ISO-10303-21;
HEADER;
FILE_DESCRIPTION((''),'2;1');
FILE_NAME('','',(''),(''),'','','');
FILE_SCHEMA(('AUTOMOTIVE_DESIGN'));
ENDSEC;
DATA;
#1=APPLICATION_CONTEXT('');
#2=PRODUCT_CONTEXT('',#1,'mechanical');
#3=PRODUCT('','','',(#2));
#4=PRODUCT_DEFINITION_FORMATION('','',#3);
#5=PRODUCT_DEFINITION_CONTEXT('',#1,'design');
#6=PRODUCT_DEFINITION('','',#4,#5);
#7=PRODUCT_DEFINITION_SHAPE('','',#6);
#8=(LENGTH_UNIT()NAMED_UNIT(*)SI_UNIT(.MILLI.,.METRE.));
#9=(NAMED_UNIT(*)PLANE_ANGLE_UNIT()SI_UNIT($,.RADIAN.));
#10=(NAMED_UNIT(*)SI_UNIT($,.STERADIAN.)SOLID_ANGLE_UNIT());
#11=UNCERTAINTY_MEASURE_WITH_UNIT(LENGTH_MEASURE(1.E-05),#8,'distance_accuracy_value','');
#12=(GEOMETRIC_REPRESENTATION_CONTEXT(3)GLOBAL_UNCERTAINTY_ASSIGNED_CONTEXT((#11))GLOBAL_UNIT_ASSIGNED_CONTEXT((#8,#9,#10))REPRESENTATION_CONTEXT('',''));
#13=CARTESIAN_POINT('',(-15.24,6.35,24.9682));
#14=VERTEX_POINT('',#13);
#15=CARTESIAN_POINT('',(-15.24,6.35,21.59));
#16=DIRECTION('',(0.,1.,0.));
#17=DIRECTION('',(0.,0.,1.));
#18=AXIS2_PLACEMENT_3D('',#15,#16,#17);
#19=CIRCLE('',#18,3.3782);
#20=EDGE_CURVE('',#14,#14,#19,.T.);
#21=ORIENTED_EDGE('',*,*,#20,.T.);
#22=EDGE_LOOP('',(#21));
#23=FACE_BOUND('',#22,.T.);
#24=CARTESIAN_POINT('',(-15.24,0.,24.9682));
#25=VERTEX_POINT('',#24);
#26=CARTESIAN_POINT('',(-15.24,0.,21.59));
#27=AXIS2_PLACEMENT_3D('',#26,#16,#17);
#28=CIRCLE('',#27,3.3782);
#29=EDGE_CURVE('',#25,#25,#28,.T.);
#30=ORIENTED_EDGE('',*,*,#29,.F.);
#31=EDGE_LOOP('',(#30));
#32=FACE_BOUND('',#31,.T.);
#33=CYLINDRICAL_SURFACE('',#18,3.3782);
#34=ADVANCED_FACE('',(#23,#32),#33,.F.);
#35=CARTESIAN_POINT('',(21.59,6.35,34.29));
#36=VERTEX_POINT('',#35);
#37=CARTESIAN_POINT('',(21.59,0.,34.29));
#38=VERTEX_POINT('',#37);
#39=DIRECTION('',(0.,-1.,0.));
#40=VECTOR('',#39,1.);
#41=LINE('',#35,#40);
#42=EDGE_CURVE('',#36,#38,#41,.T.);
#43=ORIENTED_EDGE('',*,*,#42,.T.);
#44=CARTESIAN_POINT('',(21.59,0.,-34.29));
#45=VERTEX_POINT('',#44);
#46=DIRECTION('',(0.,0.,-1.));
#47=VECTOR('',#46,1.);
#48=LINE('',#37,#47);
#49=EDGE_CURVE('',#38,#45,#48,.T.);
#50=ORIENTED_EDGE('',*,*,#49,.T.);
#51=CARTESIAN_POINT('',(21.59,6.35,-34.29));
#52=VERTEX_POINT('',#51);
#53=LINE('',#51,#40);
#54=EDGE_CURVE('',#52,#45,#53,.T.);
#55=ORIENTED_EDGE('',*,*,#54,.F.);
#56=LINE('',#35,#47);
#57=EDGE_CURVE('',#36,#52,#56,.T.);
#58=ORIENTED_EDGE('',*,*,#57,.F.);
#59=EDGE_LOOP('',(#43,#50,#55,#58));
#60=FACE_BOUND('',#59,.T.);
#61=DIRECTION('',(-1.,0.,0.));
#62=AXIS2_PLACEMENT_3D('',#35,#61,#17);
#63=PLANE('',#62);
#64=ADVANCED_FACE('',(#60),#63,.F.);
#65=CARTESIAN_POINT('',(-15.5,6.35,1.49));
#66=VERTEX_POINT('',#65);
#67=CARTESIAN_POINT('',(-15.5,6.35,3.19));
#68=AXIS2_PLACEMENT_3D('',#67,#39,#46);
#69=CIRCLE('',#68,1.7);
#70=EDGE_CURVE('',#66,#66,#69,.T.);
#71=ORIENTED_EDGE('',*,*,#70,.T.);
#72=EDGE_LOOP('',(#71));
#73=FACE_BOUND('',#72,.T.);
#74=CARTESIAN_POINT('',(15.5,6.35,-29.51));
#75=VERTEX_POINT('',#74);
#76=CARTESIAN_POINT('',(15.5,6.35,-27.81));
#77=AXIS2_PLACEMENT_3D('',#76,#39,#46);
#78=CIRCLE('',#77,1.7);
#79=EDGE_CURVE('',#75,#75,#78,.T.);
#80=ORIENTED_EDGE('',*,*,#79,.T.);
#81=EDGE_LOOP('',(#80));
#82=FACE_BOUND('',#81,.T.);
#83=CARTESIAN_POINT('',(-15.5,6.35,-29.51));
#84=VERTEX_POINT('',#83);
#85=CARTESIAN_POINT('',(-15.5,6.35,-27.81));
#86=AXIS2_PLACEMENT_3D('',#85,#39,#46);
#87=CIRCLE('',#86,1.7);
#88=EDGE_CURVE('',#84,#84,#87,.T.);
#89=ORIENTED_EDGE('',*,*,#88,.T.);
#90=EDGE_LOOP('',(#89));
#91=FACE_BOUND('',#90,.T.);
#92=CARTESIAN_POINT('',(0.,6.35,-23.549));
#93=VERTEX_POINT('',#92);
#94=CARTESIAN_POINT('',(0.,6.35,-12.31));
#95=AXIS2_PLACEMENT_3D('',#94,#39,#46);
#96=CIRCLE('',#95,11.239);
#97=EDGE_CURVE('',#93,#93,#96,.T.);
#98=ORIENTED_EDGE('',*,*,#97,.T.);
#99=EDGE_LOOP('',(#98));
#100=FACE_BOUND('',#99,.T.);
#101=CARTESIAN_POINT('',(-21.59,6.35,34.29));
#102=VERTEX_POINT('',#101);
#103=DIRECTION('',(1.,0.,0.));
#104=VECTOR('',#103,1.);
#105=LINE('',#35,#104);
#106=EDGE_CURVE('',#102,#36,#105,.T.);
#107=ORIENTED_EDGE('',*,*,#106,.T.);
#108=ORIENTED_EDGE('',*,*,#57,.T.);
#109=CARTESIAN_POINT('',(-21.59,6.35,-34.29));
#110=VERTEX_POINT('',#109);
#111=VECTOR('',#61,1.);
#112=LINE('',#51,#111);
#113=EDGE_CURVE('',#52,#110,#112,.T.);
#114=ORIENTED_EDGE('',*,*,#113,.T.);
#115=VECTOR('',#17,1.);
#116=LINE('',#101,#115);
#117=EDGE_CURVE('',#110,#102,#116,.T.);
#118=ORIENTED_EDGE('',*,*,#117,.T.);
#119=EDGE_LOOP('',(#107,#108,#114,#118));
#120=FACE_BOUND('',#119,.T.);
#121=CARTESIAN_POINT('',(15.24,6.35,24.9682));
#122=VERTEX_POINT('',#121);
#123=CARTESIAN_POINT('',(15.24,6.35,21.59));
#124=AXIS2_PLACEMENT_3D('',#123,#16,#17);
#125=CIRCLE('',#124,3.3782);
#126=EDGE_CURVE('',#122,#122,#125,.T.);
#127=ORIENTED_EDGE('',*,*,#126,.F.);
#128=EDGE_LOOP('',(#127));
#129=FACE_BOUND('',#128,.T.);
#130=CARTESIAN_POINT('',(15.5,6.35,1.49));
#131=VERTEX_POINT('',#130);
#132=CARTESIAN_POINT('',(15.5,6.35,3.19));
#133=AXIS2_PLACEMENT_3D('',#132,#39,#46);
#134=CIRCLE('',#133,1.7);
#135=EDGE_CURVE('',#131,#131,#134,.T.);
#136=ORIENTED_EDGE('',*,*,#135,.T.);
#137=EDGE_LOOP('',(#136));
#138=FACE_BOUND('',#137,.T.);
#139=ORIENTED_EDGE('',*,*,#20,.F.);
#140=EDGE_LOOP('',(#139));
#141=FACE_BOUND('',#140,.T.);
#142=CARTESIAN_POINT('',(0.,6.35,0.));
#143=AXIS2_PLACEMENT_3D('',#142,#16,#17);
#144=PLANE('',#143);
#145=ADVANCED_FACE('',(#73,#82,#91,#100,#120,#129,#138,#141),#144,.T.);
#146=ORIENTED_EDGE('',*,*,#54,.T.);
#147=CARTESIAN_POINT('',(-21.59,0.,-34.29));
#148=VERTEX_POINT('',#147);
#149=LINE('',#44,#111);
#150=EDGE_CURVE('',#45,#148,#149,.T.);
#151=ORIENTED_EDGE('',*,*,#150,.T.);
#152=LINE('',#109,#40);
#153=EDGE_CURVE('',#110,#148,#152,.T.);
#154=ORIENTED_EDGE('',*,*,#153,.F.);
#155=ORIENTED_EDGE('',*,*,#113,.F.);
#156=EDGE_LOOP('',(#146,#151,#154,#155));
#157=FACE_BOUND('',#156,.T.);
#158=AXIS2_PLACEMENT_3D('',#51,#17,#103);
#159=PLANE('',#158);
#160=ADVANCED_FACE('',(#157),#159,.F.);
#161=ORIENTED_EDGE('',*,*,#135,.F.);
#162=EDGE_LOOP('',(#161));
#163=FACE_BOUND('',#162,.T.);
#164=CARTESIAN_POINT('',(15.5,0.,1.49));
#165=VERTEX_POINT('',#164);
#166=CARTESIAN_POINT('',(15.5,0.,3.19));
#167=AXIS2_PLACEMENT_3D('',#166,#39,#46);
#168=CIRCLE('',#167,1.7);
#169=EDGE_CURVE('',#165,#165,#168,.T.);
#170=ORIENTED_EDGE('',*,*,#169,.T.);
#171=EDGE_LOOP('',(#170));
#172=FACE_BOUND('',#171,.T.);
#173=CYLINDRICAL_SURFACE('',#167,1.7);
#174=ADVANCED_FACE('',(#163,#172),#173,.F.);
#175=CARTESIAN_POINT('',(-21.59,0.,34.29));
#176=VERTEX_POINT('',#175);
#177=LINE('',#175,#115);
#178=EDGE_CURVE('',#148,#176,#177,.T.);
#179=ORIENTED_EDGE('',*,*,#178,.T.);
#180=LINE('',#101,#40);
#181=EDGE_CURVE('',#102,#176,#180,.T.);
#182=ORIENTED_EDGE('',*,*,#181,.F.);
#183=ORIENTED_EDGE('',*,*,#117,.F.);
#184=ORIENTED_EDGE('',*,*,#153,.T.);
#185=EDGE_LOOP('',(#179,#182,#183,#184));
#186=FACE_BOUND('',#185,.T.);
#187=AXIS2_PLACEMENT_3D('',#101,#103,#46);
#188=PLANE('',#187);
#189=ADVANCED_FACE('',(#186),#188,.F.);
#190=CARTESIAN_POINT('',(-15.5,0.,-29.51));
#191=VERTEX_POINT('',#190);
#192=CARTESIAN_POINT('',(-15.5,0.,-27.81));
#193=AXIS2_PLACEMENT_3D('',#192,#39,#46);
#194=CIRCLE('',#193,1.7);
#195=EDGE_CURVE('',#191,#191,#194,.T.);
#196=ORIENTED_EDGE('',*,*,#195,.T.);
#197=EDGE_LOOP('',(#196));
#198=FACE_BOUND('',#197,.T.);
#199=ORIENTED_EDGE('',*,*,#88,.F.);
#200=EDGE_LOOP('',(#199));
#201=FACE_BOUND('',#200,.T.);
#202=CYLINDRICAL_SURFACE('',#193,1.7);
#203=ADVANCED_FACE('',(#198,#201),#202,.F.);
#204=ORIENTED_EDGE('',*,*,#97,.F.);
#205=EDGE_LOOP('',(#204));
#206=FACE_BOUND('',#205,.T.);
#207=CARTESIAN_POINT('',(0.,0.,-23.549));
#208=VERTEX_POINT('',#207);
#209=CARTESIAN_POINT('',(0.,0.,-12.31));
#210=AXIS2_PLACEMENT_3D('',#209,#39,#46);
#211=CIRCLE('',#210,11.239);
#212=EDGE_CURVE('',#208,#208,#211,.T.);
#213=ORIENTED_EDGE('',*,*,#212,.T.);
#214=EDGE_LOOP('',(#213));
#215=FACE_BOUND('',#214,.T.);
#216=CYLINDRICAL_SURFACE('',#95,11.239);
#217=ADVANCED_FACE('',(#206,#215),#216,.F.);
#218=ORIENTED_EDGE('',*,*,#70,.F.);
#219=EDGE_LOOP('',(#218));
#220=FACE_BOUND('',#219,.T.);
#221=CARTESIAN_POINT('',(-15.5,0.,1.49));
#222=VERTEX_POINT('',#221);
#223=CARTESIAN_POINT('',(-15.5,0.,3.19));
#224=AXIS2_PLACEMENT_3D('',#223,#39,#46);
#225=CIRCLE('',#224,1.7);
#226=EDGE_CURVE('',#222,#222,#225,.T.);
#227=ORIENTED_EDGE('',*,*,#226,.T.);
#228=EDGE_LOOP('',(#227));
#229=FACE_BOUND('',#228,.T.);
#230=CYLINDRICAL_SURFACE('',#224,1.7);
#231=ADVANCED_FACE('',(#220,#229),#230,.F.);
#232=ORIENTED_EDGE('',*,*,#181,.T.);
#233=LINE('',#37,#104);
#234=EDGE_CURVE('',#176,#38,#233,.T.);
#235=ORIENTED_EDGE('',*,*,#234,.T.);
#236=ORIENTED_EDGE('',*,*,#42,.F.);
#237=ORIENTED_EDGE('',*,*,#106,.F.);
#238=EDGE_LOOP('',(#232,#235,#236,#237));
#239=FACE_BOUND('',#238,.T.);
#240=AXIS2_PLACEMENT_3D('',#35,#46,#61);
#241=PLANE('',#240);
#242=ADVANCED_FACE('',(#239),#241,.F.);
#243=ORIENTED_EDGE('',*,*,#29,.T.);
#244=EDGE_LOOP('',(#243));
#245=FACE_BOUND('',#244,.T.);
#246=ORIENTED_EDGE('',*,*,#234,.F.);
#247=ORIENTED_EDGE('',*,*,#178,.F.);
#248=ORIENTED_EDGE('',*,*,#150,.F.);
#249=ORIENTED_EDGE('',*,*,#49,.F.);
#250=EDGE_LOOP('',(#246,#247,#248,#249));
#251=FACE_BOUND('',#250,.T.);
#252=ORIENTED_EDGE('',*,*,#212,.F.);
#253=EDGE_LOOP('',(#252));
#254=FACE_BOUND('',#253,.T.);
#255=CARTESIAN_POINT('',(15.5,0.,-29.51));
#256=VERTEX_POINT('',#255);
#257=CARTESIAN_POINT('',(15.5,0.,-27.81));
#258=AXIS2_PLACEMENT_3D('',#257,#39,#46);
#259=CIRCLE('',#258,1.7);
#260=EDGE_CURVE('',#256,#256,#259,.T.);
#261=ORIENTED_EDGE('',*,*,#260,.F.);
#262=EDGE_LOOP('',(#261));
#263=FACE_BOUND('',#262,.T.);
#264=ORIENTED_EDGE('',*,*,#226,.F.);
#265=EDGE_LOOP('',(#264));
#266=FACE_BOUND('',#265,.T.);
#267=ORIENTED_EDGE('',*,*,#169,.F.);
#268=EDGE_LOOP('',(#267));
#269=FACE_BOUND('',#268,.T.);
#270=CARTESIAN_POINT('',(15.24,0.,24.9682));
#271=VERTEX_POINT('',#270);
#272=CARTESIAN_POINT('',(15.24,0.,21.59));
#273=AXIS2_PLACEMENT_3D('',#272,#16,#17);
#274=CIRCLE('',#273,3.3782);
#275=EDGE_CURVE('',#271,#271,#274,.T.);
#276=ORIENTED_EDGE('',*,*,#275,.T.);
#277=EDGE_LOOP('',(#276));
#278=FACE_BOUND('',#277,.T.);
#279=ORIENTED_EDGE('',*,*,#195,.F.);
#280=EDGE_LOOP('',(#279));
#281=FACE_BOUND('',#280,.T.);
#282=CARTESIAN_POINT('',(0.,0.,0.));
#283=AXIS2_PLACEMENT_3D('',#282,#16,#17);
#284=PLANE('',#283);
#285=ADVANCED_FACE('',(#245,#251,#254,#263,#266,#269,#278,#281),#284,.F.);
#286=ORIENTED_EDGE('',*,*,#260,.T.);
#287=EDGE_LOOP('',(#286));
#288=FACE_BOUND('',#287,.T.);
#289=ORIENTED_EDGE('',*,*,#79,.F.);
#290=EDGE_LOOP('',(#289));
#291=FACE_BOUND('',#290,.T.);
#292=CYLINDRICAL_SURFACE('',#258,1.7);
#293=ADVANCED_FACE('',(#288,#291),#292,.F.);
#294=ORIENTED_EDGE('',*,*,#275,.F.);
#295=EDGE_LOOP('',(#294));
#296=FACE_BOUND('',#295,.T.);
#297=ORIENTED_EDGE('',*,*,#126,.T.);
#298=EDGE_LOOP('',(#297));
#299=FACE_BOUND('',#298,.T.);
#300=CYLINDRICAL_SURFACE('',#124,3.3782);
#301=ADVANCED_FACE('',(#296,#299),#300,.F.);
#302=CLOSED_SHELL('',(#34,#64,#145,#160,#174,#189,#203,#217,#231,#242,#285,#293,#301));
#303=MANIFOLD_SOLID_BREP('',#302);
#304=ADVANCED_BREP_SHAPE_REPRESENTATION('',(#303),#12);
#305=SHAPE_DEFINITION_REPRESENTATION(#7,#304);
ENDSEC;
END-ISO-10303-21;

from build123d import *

# Parameters (mm, degrees)
SKETCH1_W               = 43.18
SKETCH1_H               = 68.58
BOSS_EXTRUDE1_DEPTH     = 6.35
F_1_4_CLEARANCE_HOLE1_D = 6.7564
SKETCH7_R               = 11.239
CUT_EXTRUDE1_DEPTH      = 7.35
M3_CLEARANCE_HOLE1_D    = 3.4


with BuildPart() as part:
    # Sketch1 → Boss-Extrude1 (new body)
    with BuildSketch(Plane(origin=(0, 0, 0), x_dir=(1, 0, 0), z_dir=(0, 1, 0))):
        Rectangle(SKETCH1_W, SKETCH1_H)
    extrude(amount=BOSS_EXTRUDE1_DEPTH)

    # 1/4 Clearance Hole1 (through all)
    with Locations(Plane(origin=(0, 6.35, 0), x_dir=(1, 0, 0), z_dir=(0, 1, 0))):
        with Locations((15.24, -21.59), (-15.24, -21.59)):
            Hole(F_1_4_CLEARANCE_HOLE1_D / 2)

    # Sketch7 → Cut-Extrude1 (cut, through all)
    with BuildSketch(Plane.XZ):
        with Locations((0, -12.31)):
            Circle(SKETCH7_R)
    extrude(amount=-CUT_EXTRUDE1_DEPTH, mode=Mode.SUBTRACT)

    # M3 Clearance Hole1 (through all)
    with Locations(Plane(origin=(0, 0, 0), x_dir=(-1, 0, 0), z_dir=(0, -1, 0))):
        with Locations((-15.5, 27.81), (15.5, 27.81), (15.5, -3.19), (-15.5, -3.19)):
            Hole(M3_CLEARANCE_HOLE1_D / 2)


solid = part.part
